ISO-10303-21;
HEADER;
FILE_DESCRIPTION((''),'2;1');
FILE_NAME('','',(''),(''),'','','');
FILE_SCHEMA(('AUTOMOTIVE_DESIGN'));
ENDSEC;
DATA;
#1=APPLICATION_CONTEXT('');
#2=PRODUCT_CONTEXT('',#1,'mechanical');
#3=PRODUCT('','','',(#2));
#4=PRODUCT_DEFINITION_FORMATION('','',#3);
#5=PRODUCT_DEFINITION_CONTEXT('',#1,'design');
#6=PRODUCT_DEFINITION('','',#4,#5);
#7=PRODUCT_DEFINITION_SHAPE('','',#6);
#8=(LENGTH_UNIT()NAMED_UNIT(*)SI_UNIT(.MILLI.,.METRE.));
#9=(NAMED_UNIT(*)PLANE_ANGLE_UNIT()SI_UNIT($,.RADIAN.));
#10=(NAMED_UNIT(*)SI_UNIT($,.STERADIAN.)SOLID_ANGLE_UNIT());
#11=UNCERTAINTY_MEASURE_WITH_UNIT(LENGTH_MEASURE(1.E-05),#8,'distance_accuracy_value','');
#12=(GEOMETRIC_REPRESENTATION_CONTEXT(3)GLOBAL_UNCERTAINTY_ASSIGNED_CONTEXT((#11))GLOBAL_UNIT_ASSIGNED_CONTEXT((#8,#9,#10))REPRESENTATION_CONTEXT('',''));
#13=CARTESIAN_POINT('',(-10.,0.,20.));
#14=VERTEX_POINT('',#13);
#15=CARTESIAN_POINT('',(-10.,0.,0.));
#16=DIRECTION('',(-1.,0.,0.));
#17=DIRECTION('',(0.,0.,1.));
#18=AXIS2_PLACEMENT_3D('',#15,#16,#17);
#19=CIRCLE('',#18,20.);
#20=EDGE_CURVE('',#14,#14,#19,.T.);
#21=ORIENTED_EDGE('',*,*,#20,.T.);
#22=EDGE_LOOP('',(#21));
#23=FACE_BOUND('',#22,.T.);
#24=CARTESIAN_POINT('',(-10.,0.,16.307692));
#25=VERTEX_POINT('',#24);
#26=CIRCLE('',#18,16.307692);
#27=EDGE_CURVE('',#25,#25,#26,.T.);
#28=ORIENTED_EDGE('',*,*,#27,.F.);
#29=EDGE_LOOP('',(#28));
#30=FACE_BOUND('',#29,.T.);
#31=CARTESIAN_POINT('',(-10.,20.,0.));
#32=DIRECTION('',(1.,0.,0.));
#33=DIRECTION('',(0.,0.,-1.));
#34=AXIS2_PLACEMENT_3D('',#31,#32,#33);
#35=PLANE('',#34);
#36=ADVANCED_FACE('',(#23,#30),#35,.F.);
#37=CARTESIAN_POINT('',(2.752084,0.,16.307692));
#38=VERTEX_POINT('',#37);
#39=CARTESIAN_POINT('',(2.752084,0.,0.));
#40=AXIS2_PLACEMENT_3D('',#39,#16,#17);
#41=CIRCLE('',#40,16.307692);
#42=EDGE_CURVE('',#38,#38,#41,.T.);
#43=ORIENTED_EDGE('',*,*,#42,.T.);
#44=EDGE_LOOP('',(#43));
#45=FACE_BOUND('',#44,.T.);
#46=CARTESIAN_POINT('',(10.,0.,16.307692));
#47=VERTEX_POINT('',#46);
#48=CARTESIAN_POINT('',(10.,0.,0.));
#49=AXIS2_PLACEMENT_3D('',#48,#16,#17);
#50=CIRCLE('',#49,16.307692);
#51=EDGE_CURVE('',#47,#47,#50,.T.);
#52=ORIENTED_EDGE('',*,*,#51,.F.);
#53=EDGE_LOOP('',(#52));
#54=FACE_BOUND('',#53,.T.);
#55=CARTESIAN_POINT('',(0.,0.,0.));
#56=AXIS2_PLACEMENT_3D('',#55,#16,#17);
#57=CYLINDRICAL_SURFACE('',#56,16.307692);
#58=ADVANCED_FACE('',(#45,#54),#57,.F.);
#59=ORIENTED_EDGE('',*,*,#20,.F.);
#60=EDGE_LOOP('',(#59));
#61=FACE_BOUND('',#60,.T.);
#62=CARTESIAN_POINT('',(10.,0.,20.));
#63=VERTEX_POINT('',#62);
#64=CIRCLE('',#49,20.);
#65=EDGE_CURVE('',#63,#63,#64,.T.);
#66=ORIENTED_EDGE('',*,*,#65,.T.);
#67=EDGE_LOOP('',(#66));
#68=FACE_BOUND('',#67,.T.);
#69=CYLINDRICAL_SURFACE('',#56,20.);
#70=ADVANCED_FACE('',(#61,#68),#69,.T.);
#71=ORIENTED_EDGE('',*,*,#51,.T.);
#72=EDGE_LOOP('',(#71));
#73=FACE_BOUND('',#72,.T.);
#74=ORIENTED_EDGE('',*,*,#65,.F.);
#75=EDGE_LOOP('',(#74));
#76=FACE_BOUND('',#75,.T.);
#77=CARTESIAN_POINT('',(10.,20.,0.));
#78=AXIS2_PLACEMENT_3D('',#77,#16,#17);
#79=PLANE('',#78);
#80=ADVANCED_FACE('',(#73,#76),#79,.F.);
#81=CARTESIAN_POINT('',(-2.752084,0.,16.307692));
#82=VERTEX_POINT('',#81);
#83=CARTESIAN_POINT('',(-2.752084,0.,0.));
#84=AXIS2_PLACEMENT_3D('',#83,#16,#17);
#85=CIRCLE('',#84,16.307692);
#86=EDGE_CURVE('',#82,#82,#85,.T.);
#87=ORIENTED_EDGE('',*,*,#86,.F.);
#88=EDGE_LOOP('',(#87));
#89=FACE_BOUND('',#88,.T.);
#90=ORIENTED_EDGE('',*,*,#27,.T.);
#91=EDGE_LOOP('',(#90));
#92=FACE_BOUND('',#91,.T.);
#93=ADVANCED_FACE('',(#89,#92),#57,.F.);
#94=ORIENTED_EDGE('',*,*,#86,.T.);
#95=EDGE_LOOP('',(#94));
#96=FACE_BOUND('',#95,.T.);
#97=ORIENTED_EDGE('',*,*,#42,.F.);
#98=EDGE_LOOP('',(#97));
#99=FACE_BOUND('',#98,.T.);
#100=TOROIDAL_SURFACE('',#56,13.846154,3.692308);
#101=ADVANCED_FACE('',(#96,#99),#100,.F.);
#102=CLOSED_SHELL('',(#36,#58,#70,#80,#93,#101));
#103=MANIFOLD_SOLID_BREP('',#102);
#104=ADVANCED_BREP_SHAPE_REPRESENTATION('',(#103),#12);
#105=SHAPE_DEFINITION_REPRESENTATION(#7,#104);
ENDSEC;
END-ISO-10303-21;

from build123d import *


with BuildPart() as part:
    # Sketch1 → Revolve1 (revolve)
    with BuildSketch(Plane.XY, mode=Mode.PRIVATE) as revolve1_sk:
        with BuildLine():
            Line((2.752083666, 16.30769231), (10, 16.30769231))
            Line((10, 16.30769231), (10, 20))
            Line((10, 20), (-10, 20))
            Line((-10, 20), (-10, 16.30769231))
            Line((-10, 16.30769231), (-2.752083666, 16.30769231))
            ThreePointArc((-2.752083666, 16.30769231), (0, 17.538461543), (2.752083666, 16.30769231))
        make_face()
    revolve(revolve1_sk.sketch.rotate(Axis((0, 0, 0), (1, 0, 0)), 90), axis=Axis((0, 0, 0), (1, 0, 0)))


solid = part.part
